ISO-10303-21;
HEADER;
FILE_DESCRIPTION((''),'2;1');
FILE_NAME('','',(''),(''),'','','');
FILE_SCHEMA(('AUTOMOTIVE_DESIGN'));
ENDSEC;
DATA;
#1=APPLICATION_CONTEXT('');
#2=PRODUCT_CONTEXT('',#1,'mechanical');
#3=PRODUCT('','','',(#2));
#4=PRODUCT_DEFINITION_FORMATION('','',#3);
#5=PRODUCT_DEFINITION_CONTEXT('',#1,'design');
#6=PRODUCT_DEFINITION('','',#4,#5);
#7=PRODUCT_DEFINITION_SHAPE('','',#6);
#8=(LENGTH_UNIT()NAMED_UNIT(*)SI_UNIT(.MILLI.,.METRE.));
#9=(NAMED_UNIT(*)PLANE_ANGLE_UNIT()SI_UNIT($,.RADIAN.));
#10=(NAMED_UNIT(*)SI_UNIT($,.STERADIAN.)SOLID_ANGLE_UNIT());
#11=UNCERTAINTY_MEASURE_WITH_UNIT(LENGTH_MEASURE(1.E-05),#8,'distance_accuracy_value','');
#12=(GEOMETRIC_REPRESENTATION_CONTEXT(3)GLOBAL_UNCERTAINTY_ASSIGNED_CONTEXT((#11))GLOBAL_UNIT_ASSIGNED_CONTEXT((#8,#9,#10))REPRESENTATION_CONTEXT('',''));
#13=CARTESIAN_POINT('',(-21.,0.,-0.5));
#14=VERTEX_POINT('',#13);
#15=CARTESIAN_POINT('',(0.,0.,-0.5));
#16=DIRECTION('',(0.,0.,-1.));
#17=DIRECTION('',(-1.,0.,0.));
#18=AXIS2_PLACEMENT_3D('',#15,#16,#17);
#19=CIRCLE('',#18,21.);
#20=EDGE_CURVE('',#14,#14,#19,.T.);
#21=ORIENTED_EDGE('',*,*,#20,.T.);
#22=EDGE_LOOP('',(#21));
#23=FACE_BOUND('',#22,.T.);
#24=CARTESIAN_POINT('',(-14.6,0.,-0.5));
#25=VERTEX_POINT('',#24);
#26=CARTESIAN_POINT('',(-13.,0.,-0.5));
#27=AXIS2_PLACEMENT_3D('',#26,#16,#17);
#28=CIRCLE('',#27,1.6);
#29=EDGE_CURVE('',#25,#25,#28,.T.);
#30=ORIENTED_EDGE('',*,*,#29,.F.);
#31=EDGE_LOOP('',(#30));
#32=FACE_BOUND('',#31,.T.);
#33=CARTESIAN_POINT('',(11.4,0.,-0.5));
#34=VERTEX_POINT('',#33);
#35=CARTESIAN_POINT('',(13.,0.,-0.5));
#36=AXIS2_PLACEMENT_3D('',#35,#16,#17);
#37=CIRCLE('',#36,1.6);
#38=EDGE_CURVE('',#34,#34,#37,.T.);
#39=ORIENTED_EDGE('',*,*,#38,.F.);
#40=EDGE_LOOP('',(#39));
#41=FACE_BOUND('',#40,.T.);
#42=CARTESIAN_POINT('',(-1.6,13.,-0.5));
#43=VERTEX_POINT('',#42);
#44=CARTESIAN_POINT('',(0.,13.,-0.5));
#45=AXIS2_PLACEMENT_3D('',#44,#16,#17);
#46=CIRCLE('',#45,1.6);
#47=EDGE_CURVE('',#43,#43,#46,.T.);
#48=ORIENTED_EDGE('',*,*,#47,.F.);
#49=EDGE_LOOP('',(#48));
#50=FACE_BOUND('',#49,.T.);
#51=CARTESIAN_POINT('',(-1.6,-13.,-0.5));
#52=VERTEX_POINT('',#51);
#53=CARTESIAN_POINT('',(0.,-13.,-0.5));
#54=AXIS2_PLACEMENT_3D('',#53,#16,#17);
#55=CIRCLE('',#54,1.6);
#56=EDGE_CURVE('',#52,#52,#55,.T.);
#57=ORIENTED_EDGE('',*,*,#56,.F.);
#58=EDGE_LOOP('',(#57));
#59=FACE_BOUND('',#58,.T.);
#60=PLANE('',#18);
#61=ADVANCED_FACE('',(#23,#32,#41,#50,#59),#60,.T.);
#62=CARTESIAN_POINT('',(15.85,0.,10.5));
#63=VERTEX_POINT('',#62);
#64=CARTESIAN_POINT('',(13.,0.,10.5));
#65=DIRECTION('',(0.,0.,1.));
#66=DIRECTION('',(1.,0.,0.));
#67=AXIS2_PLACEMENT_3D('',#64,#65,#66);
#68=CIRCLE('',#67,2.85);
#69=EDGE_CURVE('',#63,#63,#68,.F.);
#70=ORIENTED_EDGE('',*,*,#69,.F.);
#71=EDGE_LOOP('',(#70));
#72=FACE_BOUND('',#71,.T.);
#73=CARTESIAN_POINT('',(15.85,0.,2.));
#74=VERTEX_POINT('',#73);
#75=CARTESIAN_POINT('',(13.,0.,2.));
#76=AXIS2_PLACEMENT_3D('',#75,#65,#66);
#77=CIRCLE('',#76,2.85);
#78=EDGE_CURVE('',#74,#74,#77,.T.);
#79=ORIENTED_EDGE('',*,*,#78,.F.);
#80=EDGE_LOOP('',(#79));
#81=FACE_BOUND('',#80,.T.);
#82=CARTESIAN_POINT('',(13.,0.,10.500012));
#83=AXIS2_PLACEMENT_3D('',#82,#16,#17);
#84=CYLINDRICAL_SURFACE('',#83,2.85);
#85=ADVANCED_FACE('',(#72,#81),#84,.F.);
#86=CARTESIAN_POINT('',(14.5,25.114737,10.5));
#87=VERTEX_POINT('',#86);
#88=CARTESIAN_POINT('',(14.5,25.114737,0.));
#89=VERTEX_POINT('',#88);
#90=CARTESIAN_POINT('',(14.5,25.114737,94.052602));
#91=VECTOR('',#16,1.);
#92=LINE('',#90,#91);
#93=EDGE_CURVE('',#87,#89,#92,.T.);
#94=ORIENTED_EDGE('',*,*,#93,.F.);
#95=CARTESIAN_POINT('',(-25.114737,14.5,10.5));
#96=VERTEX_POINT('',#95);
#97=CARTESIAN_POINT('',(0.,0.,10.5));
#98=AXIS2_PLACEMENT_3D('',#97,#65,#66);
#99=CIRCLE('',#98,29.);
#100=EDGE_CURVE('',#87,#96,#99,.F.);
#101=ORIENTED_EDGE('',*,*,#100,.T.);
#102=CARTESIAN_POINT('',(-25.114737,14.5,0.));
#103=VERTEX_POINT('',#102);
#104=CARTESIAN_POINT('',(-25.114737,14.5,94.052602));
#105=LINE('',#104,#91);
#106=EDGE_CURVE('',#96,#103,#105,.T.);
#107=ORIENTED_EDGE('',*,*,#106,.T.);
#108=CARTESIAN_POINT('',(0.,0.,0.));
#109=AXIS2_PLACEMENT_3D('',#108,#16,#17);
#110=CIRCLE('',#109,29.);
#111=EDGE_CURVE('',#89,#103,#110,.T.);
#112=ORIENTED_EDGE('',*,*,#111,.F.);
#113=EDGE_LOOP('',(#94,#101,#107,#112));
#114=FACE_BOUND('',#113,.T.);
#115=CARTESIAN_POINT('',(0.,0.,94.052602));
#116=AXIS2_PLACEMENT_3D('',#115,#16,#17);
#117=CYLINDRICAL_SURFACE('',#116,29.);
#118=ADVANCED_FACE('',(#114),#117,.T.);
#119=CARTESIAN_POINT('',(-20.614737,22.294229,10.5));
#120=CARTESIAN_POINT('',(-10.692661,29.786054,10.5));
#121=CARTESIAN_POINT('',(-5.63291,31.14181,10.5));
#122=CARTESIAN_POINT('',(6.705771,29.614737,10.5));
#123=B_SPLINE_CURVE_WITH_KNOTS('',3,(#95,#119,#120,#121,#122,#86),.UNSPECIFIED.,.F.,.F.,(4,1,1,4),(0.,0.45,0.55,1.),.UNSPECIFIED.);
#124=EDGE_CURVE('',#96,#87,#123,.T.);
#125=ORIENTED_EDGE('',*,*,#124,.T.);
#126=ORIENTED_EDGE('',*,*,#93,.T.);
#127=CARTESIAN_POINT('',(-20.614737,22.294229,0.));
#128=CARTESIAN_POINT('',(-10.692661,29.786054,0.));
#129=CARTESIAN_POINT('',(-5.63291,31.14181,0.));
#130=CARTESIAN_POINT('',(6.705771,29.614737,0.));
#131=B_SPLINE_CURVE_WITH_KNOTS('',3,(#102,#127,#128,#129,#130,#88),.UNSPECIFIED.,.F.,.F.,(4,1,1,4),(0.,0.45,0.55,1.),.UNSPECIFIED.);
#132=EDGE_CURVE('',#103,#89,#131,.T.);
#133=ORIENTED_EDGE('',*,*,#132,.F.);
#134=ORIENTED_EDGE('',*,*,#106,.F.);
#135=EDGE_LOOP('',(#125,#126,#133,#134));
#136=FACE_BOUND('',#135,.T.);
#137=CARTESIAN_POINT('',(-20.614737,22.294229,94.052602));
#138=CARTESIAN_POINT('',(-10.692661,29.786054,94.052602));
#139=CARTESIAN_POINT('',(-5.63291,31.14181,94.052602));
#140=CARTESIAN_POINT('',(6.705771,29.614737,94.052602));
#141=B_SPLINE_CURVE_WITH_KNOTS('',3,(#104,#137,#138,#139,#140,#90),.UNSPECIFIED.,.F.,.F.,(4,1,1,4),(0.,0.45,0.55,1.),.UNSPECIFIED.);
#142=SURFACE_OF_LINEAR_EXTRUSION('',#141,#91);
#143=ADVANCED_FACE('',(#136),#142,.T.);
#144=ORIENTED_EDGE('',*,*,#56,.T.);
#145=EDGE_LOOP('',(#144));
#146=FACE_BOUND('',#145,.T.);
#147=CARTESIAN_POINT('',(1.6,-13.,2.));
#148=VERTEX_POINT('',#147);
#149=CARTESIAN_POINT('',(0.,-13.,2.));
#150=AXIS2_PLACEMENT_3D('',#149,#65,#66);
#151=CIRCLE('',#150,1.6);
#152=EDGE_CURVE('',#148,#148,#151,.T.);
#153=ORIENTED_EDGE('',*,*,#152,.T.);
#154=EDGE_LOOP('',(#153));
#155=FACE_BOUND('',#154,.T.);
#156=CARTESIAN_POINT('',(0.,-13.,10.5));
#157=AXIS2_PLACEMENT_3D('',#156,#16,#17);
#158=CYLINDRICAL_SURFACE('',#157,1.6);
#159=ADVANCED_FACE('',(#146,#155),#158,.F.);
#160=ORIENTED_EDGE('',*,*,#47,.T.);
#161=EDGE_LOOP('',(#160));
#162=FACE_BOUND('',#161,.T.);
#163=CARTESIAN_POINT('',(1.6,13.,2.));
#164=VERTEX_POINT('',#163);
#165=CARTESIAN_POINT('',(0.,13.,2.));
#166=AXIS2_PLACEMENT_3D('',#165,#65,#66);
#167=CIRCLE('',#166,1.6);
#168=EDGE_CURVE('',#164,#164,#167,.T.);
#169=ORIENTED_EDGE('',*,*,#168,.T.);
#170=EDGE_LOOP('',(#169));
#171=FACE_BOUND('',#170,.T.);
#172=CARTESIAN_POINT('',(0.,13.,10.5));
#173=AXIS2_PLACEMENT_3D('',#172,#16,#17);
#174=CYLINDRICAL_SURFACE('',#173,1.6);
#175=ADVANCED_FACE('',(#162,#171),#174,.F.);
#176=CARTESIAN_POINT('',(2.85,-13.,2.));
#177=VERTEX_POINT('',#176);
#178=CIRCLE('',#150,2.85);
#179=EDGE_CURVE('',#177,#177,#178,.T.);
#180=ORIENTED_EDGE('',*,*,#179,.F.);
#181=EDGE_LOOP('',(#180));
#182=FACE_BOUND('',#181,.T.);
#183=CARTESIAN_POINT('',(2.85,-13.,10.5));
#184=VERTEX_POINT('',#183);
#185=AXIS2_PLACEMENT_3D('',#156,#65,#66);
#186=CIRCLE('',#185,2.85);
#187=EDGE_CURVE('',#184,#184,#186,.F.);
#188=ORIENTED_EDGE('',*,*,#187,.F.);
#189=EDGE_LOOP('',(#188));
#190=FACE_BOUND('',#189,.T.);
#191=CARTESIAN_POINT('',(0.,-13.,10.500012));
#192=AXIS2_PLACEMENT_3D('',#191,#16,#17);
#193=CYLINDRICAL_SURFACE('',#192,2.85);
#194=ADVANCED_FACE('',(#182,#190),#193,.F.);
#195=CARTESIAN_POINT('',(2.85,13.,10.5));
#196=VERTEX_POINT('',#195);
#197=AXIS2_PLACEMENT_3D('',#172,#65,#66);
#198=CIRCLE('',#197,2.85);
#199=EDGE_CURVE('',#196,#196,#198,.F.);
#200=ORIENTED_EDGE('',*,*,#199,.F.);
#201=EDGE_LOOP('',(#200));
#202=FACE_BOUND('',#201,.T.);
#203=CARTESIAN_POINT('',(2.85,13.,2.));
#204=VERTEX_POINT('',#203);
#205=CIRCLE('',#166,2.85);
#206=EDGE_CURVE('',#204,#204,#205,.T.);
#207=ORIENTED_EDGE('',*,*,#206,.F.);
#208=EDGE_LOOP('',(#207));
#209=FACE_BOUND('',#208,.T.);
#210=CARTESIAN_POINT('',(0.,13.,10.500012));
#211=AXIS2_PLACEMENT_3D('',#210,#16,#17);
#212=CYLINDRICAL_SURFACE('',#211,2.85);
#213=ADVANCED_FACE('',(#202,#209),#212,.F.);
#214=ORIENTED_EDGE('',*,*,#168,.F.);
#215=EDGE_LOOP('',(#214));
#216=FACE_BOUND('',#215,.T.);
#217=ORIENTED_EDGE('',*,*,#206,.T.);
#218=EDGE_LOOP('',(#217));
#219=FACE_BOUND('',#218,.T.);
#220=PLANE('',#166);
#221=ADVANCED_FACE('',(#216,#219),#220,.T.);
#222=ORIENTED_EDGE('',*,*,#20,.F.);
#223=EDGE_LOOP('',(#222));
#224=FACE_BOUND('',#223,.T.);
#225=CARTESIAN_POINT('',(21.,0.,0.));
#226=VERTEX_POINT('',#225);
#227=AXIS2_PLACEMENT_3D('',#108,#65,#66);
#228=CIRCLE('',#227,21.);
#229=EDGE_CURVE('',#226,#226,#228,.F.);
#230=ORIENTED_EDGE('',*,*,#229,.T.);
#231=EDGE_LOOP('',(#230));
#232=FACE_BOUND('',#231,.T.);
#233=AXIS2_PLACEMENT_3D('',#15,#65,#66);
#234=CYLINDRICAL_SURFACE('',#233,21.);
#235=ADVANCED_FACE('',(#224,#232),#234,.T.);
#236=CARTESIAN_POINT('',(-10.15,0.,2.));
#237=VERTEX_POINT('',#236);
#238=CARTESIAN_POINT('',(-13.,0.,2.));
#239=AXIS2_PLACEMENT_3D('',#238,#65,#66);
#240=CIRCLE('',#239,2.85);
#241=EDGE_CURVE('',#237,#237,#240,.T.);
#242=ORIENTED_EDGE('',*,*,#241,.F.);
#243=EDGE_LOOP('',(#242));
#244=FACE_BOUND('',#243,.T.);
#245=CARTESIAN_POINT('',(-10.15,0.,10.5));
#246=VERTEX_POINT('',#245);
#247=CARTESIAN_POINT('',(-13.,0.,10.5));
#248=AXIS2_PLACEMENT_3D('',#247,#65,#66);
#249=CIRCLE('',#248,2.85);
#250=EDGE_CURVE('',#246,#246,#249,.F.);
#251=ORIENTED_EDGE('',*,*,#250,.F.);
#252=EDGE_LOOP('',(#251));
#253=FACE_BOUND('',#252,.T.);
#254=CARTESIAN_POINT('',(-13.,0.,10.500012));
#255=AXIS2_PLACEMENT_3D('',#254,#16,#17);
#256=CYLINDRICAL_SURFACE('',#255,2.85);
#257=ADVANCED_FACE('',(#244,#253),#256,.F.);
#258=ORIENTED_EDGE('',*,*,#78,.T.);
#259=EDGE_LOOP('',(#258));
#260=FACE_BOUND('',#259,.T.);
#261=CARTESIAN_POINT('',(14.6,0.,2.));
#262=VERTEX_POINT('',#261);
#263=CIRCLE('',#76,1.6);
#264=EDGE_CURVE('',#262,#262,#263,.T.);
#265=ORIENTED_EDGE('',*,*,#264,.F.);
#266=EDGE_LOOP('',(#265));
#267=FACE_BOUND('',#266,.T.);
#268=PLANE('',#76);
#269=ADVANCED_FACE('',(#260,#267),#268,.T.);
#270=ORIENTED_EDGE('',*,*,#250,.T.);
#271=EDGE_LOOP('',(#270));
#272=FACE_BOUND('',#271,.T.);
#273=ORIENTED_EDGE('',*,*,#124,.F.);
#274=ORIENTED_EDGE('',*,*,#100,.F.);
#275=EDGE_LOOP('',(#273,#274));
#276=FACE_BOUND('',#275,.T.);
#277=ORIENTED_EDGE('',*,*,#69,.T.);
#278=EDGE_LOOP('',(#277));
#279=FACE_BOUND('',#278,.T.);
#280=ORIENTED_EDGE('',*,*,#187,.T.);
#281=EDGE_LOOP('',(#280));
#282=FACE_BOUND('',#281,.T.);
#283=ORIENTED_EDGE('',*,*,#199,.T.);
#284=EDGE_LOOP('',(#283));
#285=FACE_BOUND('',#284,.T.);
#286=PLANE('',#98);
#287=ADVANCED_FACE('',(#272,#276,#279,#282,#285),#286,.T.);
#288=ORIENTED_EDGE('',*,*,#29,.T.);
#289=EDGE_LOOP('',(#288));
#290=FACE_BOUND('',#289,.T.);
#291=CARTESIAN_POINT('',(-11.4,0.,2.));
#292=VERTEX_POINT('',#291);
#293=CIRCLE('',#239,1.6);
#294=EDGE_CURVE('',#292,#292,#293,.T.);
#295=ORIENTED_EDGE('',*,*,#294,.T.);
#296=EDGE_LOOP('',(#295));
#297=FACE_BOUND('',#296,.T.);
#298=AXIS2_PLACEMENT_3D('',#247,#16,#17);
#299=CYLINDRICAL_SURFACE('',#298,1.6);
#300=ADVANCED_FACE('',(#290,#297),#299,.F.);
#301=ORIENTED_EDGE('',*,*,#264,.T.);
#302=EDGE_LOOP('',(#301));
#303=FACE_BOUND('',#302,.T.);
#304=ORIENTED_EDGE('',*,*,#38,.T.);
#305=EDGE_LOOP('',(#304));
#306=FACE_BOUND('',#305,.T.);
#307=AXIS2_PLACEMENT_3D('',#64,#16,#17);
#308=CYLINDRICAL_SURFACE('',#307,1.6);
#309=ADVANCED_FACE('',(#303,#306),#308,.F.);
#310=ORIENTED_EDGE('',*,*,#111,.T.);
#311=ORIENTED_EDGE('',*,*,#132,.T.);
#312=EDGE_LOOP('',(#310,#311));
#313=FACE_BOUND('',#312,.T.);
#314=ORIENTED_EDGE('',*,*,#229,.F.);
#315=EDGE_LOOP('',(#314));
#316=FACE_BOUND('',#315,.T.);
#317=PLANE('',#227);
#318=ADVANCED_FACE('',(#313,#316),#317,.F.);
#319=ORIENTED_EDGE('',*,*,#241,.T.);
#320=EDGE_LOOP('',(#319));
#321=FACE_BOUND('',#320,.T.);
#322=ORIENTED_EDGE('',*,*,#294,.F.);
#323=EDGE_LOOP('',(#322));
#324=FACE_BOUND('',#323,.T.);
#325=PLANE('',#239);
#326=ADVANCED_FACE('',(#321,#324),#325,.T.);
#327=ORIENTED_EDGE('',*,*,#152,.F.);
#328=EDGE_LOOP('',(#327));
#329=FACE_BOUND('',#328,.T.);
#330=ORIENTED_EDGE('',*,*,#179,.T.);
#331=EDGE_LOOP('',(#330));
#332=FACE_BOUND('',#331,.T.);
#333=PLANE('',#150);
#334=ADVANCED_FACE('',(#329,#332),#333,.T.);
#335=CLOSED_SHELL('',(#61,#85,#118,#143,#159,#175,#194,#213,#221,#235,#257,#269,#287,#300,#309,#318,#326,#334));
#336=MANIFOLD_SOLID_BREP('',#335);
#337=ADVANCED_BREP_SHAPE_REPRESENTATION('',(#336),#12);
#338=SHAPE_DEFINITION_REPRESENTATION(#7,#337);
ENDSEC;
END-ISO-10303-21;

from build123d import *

# Parameters (mm, degrees)
SKETCH1_R               = 21
SKETCH1_R_2             = 2.85
SKETCH1_R_3             = 1.6
BOSS_EXTRUDE1_DEPTH     = 10.5
SKETCH2_R               = 21
BOSS_EXTRUDE3_DEPTH     = 10.5
SKETCH3_R               = 21
SKETCH3_R_2             = 1.6
BOSS_EXTRUDE4_DEPTH     = 0.5
SKETCH4_R               = 2.85
SKETCH4_R_2             = 1.6
CUT_EXTRUDE1_DEPTH      = 1.0000001
CUT_EXTRUDE1_DEPTH_BACK = 8.5


with BuildPart() as part:
    # Sketch1 → Boss-Extrude1 (new body)
    with BuildSketch(Plane(origin=(0, 0, 0), x_dir=(0, 1, 0), z_dir=(0, 0, 1))):
        Circle(SKETCH1_R)
        with Locations((-13, 0)):
            Circle(SKETCH1_R_2, mode=Mode.SUBTRACT)
        with Locations((0, -13)):
            Circle(SKETCH1_R_2, mode=Mode.SUBTRACT)
        with Locations((13, 0)):
            Circle(SKETCH1_R_2, mode=Mode.SUBTRACT)
        with Locations((0, 13)):
            Circle(SKETCH1_R_2, mode=Mode.SUBTRACT)
        with Locations((-13, 0)):
            Circle(SKETCH1_R_2)
        with Locations((-13, 0)):
            Circle(SKETCH1_R_3, mode=Mode.SUBTRACT)
        with Locations((0, 13)):
            Circle(SKETCH1_R_2)
        with Locations((0, 13)):
            Circle(SKETCH1_R_3, mode=Mode.SUBTRACT)
        with Locations((13, 0)):
            Circle(SKETCH1_R_2)
        with Locations((13, 0)):
            Circle(SKETCH1_R_3, mode=Mode.SUBTRACT)
        with Locations((0, -13)):
            Circle(SKETCH1_R_2)
        with Locations((0, -13)):
            Circle(SKETCH1_R_3, mode=Mode.SUBTRACT)
    extrude(amount=BOSS_EXTRUDE1_DEPTH)

    # Sketch2 → Boss-Extrude3 (add)
    with BuildSketch(Plane(origin=(0, 0, 0), x_dir=(1, 0, 0), z_dir=(0, 0, -1))):
        with BuildLine():
            ThreePointArc((14.5, -25.11473671), (25.11473671, -14.5), (29, 0))
            ThreePointArc((29, 0), (-7.505752308, 28.011848962), (-25.11473671, -14.5))
            add(Edge.make_bspline(
                [(-25.11473671, -14.5), (-20.61473671, -22.294228634), (-10.692661327, -29.786053624), (-5.632910469, -31.14180978), (6.705771366, -29.61473671), (14.5, -25.11473671)],
                knots=[0, 0, 0, 0, 0.45, 0.55, 1, 1, 1, 1], degree=3))
        make_face()
        Circle(SKETCH2_R, mode=Mode.SUBTRACT)
    extrude(amount=-BOSS_EXTRUDE3_DEPTH)

    # Sketch3 → Boss-Extrude4 (add)
    with BuildSketch(Plane(origin=(0, 0, 0), x_dir=(1, 0, 0), z_dir=(0, 0, -1))):
        Circle(SKETCH3_R)
        with Locations((-13, 0)):
            Circle(SKETCH3_R_2, mode=Mode.SUBTRACT)
        with Locations((0, 13)):
            Circle(SKETCH3_R_2, mode=Mode.SUBTRACT)
        with Locations((13, 0)):
            Circle(SKETCH3_R_2, mode=Mode.SUBTRACT)
        with Locations((0, -13)):
            Circle(SKETCH3_R_2, mode=Mode.SUBTRACT)
    extrude(amount=BOSS_EXTRUDE4_DEPTH)

    # Sketch4 → Cut-Extrude1 (cut, two sides)
    with BuildSketch(Plane.XY.offset(10.5)) as cut_extrude1_sk:
        with Locations((0, 13)):
            Circle(SKETCH4_R)
        with Locations((0, 13)):
            Circle(SKETCH4_R_2, mode=Mode.SUBTRACT)
        with Locations((13, 0)):
            Circle(SKETCH4_R)
        with Locations((13, 0)):
            Circle(SKETCH4_R_2, mode=Mode.SUBTRACT)
        with Locations((0, -13)):
            Circle(SKETCH4_R)
        with Locations((0, -13)):
            Circle(SKETCH4_R_2, mode=Mode.SUBTRACT)
        with Locations((-13, 0)):
            Circle(SKETCH4_R)
        with Locations((-13, 0)):
            Circle(SKETCH4_R_2, mode=Mode.SUBTRACT)
    extrude(amount=CUT_EXTRUDE1_DEPTH, mode=Mode.SUBTRACT)
    extrude(cut_extrude1_sk.sketch, amount=-CUT_EXTRUDE1_DEPTH_BACK, mode=Mode.SUBTRACT)


solid = part.part
